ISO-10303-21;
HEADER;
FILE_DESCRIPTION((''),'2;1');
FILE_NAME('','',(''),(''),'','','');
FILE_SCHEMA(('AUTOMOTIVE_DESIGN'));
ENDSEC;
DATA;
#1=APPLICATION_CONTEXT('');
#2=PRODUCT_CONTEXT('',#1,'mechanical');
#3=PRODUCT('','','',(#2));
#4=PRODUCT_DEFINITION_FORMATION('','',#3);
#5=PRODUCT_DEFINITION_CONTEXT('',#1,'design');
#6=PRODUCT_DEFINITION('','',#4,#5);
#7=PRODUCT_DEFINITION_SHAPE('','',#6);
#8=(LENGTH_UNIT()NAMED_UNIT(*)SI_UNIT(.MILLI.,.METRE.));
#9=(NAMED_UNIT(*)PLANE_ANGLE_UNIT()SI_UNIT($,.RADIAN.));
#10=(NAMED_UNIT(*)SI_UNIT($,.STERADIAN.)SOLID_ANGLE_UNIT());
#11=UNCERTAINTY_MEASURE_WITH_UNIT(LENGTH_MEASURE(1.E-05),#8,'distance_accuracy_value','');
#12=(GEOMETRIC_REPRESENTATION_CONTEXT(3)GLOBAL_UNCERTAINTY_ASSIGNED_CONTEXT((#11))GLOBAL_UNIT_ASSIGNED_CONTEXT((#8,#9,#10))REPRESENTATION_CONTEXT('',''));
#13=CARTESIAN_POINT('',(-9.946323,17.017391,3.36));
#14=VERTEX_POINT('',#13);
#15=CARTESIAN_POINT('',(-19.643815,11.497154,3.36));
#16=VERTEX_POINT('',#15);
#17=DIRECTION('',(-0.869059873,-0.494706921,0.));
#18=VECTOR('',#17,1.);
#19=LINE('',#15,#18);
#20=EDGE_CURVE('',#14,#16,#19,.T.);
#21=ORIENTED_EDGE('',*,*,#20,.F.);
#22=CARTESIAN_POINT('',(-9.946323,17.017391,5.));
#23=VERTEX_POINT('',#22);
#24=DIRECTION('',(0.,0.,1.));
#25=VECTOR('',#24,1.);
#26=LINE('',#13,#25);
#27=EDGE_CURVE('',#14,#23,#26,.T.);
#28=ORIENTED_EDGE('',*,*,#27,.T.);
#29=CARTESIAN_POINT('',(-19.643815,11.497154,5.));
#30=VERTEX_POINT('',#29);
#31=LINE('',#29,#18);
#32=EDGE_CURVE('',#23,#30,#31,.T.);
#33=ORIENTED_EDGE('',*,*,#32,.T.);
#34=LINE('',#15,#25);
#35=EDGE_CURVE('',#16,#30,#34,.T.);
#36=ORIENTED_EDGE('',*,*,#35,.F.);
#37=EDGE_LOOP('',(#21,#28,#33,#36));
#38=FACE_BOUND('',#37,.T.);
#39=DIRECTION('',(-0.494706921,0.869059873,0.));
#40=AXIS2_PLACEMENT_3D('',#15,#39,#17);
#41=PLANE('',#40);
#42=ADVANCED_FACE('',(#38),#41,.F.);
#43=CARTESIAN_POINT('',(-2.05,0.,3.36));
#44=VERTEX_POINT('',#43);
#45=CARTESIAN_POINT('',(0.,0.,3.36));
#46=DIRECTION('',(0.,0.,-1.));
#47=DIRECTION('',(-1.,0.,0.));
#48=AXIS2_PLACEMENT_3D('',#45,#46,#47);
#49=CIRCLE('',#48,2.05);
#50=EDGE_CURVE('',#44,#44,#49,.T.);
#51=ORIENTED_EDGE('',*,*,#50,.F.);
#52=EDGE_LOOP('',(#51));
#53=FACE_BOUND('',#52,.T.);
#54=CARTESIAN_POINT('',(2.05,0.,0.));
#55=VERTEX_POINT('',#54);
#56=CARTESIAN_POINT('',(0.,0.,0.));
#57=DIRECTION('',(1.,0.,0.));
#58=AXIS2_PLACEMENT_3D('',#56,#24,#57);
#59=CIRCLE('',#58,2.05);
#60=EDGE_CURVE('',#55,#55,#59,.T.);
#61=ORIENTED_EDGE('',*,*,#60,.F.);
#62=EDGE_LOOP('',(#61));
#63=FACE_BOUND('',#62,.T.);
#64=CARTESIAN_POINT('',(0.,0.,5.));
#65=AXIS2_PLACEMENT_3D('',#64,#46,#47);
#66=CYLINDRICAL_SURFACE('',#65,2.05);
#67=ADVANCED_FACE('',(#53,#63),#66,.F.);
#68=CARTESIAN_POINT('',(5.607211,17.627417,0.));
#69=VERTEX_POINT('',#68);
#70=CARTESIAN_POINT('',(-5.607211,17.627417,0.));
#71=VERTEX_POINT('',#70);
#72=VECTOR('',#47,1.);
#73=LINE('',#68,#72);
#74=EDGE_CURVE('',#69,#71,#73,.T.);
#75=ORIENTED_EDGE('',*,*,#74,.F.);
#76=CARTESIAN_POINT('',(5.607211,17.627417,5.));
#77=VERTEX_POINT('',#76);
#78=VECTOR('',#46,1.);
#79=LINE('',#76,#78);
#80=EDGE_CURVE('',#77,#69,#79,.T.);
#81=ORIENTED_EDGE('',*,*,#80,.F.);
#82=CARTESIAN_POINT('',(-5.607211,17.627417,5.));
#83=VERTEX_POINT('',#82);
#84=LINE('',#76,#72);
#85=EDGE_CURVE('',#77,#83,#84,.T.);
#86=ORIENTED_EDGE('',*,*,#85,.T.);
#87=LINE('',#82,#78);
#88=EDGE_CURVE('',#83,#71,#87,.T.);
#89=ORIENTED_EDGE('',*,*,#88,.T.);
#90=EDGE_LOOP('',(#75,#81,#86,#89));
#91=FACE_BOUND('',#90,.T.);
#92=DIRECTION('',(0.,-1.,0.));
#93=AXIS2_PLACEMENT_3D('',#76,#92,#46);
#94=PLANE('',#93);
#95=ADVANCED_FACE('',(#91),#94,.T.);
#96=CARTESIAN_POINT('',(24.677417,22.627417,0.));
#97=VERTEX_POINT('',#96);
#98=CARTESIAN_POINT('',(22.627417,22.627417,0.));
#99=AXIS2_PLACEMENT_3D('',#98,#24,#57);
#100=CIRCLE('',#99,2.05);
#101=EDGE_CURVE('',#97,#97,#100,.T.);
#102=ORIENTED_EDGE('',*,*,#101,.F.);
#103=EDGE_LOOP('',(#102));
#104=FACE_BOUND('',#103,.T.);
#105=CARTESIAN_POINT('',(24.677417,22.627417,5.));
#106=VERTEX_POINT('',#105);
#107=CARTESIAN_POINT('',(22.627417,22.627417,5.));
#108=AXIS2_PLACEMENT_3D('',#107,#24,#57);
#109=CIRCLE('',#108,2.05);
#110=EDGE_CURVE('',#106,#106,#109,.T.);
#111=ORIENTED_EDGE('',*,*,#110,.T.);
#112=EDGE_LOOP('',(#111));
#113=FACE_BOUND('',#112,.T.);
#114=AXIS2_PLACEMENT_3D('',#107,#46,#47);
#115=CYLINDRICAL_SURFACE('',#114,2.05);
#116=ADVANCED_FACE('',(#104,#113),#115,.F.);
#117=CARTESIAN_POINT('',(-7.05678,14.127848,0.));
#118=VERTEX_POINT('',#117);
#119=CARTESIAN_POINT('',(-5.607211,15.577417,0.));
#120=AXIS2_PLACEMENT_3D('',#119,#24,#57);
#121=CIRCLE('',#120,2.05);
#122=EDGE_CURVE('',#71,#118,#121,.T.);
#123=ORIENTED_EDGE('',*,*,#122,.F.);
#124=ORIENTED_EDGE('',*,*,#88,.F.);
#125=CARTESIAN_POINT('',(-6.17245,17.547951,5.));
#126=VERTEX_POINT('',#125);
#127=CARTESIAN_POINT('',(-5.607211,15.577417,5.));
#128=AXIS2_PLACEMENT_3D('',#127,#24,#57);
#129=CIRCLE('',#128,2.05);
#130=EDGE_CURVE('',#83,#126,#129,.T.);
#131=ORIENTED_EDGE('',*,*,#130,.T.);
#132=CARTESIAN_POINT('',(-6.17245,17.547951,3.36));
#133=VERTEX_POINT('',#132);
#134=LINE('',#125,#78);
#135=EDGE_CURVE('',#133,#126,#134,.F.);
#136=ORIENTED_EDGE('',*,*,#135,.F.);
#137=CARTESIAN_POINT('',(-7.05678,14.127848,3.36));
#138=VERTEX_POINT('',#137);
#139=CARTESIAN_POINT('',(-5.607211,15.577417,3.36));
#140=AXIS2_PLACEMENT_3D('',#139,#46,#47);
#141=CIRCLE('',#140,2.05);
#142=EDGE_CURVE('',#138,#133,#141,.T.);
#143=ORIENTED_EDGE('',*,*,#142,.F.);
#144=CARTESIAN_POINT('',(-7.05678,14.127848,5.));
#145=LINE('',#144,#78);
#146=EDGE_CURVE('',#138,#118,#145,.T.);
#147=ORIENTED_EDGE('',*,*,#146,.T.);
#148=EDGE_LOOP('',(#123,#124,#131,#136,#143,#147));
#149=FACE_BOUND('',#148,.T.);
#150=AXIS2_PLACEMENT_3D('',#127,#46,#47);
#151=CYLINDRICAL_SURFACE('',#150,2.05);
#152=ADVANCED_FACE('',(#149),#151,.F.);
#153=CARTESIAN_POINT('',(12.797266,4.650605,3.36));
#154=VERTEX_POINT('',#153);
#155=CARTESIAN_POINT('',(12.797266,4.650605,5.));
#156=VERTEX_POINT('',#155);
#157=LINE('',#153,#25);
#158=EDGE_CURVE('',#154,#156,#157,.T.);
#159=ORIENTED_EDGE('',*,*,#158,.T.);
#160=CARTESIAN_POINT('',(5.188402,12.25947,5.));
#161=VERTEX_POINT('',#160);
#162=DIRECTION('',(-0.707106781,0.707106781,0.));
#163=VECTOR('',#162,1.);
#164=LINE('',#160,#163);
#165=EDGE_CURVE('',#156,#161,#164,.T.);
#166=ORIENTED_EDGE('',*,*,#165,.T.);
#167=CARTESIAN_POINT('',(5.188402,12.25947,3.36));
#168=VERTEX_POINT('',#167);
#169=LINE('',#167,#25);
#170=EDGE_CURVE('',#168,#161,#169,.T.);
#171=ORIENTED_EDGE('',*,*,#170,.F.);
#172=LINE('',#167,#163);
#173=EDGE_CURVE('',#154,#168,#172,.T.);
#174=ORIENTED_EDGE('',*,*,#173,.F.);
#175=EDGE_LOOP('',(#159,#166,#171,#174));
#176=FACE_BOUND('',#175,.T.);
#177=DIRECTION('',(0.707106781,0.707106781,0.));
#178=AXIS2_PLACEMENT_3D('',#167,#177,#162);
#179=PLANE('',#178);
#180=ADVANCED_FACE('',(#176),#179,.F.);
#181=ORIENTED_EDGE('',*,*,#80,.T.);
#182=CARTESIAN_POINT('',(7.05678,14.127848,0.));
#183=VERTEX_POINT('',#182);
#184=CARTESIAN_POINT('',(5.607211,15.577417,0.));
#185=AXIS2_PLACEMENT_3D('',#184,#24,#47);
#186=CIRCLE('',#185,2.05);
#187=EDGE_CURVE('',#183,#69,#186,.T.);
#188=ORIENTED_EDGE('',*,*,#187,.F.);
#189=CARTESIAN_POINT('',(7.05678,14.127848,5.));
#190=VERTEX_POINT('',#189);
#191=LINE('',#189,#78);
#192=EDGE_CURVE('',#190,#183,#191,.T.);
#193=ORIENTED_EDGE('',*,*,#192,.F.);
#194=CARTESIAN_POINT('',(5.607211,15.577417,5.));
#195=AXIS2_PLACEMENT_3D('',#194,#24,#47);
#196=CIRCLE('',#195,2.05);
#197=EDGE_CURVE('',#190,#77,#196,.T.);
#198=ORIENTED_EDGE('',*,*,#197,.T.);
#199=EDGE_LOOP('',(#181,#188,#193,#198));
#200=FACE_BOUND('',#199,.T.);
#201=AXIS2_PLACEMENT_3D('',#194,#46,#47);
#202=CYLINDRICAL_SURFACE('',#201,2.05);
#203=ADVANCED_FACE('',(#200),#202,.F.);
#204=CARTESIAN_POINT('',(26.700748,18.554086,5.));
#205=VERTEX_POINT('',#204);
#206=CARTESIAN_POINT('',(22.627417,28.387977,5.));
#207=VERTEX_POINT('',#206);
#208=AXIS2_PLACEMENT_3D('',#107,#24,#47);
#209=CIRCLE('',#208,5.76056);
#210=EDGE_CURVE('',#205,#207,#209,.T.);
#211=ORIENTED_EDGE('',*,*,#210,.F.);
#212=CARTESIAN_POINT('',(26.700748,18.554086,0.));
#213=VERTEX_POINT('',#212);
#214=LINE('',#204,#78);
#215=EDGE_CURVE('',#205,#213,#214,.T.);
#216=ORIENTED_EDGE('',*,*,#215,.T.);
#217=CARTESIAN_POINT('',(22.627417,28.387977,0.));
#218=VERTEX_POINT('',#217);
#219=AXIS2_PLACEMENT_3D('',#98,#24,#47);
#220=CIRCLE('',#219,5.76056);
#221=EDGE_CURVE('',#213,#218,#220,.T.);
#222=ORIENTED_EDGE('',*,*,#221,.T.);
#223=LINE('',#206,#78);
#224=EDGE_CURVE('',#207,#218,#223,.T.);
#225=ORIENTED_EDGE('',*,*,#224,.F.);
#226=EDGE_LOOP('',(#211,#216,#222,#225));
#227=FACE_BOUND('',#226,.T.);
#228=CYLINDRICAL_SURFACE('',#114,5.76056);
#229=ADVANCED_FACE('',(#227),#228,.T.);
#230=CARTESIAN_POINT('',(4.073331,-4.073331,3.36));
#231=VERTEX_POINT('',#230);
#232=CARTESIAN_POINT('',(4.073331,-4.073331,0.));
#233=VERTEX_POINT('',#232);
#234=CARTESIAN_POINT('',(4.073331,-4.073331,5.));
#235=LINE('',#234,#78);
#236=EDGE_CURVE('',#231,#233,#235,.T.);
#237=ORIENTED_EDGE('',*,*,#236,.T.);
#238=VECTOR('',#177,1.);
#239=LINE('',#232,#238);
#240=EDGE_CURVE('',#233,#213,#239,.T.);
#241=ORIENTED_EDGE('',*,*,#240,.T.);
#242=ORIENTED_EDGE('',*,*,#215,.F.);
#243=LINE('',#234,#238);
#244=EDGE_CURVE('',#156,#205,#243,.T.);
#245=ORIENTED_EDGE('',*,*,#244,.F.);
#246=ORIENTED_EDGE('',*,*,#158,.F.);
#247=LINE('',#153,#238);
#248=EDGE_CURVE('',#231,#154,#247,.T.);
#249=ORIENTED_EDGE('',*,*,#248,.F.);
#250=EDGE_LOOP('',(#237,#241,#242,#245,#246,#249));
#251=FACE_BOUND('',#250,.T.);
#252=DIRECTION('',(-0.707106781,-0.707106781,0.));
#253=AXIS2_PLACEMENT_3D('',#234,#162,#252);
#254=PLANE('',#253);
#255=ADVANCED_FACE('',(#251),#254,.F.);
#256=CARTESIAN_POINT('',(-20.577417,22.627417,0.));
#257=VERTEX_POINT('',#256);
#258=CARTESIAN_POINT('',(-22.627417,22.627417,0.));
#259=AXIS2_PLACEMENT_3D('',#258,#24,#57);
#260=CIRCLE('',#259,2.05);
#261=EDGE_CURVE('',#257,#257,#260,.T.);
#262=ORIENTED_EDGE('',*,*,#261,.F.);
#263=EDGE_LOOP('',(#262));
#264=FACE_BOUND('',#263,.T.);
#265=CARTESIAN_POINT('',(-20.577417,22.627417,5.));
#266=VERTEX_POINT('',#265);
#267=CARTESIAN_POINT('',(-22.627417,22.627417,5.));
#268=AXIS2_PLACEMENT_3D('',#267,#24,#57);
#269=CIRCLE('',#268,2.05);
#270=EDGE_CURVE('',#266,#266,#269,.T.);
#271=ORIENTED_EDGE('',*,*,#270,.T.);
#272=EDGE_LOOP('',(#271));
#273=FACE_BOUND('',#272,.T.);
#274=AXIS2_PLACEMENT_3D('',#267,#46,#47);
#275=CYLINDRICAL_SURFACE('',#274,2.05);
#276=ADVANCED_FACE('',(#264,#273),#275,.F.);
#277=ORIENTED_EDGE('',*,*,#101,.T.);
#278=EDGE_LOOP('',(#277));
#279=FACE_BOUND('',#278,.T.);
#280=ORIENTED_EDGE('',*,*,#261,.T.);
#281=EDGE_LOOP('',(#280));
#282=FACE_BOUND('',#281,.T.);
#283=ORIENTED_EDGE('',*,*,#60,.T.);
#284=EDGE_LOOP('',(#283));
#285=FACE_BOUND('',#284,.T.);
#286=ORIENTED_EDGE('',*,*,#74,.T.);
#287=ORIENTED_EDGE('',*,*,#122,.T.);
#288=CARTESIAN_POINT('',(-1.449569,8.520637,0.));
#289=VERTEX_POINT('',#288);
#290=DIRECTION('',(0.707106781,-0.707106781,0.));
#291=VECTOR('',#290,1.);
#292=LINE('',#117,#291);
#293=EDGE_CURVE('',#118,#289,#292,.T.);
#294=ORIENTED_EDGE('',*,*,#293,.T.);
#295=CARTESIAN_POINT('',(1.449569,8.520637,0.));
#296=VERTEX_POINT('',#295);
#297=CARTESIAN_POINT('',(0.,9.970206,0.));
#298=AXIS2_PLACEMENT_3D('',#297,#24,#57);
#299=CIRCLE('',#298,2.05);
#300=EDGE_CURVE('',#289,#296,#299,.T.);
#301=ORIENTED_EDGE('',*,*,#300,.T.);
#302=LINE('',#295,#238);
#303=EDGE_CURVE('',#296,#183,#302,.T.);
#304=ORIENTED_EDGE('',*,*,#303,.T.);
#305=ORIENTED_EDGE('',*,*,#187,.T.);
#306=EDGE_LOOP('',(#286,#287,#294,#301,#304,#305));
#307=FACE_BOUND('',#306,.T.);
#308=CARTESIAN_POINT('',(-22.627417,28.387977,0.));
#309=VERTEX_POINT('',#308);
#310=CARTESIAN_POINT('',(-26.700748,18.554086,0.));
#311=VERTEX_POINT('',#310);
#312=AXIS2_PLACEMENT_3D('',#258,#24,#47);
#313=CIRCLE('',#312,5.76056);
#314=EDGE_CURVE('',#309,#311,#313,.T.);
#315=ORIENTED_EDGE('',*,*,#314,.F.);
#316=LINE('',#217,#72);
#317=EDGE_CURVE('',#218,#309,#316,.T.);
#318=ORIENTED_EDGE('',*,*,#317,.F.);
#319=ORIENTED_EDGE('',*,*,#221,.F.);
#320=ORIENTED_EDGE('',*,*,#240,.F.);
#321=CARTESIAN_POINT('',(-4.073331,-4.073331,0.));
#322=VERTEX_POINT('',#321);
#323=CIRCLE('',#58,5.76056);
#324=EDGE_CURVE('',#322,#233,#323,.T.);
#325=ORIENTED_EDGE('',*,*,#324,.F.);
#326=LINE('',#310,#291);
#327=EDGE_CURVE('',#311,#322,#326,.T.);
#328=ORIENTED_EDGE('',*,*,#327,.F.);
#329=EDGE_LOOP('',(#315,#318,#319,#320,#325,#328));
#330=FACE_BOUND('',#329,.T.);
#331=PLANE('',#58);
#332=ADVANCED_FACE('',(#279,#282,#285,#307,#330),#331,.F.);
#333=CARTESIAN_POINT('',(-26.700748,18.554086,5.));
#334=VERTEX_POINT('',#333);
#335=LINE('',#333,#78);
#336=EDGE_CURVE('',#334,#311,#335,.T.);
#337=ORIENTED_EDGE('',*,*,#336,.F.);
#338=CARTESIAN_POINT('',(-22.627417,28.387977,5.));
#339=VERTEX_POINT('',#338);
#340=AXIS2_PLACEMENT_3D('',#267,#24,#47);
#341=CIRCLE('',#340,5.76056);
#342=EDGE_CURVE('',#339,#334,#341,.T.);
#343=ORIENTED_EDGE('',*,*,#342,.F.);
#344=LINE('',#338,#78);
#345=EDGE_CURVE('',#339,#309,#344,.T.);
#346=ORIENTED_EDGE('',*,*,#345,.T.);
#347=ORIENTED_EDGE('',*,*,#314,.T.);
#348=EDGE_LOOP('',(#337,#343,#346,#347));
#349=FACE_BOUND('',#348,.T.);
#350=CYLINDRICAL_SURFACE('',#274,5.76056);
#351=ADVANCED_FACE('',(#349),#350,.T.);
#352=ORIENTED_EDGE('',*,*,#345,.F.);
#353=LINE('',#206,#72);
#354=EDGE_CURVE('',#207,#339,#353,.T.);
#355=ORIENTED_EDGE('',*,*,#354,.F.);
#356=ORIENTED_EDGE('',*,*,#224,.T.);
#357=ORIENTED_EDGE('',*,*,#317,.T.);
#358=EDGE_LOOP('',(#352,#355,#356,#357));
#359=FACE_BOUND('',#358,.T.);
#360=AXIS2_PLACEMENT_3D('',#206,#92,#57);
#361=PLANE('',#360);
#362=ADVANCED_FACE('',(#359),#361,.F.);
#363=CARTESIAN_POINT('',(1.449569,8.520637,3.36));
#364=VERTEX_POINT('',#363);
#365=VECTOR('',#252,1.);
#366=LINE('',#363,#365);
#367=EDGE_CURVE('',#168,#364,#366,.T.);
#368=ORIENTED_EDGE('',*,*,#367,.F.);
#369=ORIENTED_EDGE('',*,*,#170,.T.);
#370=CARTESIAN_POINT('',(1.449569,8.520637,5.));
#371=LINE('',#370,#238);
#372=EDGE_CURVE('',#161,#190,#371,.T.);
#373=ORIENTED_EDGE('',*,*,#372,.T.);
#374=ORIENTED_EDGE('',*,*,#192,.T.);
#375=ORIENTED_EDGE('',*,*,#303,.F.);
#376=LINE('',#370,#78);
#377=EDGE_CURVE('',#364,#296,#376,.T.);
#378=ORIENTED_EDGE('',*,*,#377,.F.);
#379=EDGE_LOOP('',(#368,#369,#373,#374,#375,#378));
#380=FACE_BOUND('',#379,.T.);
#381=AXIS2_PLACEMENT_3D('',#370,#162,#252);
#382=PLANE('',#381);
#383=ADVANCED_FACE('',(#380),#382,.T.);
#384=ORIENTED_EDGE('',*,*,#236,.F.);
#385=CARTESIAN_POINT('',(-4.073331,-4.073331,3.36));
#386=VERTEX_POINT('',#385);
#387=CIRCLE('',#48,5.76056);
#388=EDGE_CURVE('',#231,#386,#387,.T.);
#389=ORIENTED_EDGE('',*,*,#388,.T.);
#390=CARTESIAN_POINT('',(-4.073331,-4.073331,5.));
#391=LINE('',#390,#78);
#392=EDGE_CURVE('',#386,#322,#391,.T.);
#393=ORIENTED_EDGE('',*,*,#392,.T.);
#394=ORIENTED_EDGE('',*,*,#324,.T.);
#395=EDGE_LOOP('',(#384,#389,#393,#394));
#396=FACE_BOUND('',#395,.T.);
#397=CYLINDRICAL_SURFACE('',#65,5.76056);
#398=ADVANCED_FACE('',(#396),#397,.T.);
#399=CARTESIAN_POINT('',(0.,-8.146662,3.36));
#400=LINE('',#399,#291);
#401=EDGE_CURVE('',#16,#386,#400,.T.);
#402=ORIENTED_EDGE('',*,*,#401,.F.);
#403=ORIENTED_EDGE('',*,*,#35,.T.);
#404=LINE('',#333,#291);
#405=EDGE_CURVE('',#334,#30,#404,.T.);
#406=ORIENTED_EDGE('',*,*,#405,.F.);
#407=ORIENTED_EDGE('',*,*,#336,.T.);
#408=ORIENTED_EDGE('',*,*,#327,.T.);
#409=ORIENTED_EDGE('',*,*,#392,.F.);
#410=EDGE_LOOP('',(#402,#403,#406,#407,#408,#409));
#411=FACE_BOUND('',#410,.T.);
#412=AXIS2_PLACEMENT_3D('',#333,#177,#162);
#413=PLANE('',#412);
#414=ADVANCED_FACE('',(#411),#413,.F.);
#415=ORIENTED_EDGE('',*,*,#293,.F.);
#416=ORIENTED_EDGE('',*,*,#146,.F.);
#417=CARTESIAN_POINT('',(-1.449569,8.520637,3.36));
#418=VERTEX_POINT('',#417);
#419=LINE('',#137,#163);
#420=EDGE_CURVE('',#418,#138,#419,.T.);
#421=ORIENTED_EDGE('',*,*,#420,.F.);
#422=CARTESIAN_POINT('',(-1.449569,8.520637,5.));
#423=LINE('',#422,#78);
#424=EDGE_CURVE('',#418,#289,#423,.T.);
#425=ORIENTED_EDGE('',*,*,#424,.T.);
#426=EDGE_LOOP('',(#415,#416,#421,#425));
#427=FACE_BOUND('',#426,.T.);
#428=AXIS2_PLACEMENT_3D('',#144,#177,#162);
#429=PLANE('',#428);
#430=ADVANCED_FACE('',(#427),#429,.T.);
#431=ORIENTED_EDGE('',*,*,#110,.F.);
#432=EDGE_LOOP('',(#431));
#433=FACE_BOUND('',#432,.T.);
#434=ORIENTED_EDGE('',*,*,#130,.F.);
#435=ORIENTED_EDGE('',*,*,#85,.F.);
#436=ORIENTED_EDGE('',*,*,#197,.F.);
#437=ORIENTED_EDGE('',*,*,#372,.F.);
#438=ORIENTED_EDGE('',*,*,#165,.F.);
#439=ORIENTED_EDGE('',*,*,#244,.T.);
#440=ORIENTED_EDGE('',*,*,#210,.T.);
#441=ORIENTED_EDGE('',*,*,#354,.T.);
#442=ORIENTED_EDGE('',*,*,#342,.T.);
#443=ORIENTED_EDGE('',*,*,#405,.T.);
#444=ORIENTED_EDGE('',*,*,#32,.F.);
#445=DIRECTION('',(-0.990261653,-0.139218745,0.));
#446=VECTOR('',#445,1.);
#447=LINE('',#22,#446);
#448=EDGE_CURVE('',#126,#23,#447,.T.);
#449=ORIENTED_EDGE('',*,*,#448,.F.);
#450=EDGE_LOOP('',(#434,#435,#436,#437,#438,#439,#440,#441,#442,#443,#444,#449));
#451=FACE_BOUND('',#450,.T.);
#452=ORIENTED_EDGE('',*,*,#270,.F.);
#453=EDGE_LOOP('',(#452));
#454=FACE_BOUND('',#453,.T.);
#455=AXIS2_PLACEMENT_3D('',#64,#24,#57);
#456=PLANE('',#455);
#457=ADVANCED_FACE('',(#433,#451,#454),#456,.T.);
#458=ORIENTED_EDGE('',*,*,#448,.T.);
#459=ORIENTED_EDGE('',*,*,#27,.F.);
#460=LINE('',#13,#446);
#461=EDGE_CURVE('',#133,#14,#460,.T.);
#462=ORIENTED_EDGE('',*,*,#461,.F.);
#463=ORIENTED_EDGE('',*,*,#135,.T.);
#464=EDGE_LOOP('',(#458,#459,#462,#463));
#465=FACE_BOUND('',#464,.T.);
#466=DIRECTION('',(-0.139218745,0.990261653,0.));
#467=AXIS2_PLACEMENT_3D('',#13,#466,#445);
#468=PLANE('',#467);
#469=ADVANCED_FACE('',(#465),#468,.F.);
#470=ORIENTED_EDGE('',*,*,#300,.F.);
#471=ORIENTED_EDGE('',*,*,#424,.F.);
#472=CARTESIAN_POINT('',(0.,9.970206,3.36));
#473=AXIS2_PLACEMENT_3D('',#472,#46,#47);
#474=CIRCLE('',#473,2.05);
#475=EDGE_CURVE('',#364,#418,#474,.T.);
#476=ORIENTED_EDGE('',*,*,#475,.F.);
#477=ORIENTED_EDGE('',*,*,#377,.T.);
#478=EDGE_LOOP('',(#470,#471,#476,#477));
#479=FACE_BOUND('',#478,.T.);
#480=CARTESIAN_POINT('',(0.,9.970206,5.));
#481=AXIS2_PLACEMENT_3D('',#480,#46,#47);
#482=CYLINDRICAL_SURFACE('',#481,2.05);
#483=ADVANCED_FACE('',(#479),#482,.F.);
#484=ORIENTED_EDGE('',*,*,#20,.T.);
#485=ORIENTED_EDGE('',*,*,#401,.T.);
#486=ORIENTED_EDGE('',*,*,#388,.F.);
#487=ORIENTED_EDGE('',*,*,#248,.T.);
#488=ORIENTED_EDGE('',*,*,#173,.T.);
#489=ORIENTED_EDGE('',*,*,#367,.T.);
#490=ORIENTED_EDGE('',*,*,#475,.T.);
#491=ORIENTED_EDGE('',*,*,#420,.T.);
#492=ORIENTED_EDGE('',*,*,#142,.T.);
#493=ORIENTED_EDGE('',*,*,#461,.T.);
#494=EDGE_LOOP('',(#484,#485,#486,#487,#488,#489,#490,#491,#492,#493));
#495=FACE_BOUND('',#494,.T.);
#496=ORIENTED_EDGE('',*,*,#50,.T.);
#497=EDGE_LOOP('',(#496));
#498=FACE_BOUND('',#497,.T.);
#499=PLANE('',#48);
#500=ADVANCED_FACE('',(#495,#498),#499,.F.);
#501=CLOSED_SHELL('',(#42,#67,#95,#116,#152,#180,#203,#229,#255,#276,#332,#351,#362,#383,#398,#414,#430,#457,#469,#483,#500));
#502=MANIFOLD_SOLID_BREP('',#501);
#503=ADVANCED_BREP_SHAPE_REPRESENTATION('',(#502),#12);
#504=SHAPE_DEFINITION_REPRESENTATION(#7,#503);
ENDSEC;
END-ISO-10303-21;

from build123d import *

# Parameters (mm, degrees)
SCHIZZO1_R                   = 2.05
ESTRUSIONE_ESTRUSIONE1_DEPTH = 5
CUT_EXTRUDE2_DEPTH           = 1.64


with BuildPart() as part:
    # Schizzo1 → Estrusione-Estrusione1 (new body)
    with BuildSketch(Plane.XY):
        with BuildLine():
            Line((22.627416998, 28.387976608), (-22.627416998, 28.387976608))
            ThreePointArc((-22.627416998, 28.387976608), (-27.949480117, 24.831887722), (-26.700747761, 18.554086235))
            Line((-26.700747761, 18.554086235), (-4.073330763, -4.073330763))
            ThreePointArc((-4.073330763, -4.073330763), (0, -5.76055961), (4.073330763, -4.073330763))
            Line((4.073330763, -4.073330763), (26.700747761, 18.554086235))
            ThreePointArc((26.700747761, 18.554086235), (27.949480117, 24.831887722), (22.627416998, 28.387976608))
        make_face()
        Circle(SCHIZZO1_R, mode=Mode.SUBTRACT)
        with Locations((22.627416998, 22.627416998)):
            Circle(SCHIZZO1_R, mode=Mode.SUBTRACT)
        with Locations((-22.627416998, 22.627416998)):
            Circle(SCHIZZO1_R, mode=Mode.SUBTRACT)
        with BuildLine():
            Line((5.607211383, 17.627416998), (-5.607211383, 17.627416998))
            ThreePointArc((-5.607211383, 17.627416998), (-7.501164425, 16.361918034), (-7.056780285, 14.127848097))
            Line((-7.056780285, 14.127848097), (-1.449568901, 8.520636713))
            ThreePointArc((-1.449568901, 8.520636713), (0, 7.920205615), (1.449568901, 8.520636713))
            Line((1.449568901, 8.520636713), (7.056780285, 14.127848097))
            ThreePointArc((7.056780285, 14.127848097), (7.501164425, 16.361918034), (5.607211383, 17.627416998))
        make_face(mode=Mode.SUBTRACT)
    extrude(amount=ESTRUSIONE_ESTRUSIONE1_DEPTH)

    # Sketch2 → Cut-Extrude2 (cut)
    with BuildSketch(Plane.XY.offset(5)):
        Polygon((12.797266468, 4.650604941), (0, -8.146661527), (-19.643815137, 11.49715361), (-9.946322881, 17.017390693), (-5.607211383, 17.627416998), (-1.449568901, 8.520636713), (1.449568901, 8.520636713), (5.188401798, 12.25946961), align=None)
    extrude(amount=-CUT_EXTRUDE2_DEPTH, mode=Mode.SUBTRACT)


solid = part.part
